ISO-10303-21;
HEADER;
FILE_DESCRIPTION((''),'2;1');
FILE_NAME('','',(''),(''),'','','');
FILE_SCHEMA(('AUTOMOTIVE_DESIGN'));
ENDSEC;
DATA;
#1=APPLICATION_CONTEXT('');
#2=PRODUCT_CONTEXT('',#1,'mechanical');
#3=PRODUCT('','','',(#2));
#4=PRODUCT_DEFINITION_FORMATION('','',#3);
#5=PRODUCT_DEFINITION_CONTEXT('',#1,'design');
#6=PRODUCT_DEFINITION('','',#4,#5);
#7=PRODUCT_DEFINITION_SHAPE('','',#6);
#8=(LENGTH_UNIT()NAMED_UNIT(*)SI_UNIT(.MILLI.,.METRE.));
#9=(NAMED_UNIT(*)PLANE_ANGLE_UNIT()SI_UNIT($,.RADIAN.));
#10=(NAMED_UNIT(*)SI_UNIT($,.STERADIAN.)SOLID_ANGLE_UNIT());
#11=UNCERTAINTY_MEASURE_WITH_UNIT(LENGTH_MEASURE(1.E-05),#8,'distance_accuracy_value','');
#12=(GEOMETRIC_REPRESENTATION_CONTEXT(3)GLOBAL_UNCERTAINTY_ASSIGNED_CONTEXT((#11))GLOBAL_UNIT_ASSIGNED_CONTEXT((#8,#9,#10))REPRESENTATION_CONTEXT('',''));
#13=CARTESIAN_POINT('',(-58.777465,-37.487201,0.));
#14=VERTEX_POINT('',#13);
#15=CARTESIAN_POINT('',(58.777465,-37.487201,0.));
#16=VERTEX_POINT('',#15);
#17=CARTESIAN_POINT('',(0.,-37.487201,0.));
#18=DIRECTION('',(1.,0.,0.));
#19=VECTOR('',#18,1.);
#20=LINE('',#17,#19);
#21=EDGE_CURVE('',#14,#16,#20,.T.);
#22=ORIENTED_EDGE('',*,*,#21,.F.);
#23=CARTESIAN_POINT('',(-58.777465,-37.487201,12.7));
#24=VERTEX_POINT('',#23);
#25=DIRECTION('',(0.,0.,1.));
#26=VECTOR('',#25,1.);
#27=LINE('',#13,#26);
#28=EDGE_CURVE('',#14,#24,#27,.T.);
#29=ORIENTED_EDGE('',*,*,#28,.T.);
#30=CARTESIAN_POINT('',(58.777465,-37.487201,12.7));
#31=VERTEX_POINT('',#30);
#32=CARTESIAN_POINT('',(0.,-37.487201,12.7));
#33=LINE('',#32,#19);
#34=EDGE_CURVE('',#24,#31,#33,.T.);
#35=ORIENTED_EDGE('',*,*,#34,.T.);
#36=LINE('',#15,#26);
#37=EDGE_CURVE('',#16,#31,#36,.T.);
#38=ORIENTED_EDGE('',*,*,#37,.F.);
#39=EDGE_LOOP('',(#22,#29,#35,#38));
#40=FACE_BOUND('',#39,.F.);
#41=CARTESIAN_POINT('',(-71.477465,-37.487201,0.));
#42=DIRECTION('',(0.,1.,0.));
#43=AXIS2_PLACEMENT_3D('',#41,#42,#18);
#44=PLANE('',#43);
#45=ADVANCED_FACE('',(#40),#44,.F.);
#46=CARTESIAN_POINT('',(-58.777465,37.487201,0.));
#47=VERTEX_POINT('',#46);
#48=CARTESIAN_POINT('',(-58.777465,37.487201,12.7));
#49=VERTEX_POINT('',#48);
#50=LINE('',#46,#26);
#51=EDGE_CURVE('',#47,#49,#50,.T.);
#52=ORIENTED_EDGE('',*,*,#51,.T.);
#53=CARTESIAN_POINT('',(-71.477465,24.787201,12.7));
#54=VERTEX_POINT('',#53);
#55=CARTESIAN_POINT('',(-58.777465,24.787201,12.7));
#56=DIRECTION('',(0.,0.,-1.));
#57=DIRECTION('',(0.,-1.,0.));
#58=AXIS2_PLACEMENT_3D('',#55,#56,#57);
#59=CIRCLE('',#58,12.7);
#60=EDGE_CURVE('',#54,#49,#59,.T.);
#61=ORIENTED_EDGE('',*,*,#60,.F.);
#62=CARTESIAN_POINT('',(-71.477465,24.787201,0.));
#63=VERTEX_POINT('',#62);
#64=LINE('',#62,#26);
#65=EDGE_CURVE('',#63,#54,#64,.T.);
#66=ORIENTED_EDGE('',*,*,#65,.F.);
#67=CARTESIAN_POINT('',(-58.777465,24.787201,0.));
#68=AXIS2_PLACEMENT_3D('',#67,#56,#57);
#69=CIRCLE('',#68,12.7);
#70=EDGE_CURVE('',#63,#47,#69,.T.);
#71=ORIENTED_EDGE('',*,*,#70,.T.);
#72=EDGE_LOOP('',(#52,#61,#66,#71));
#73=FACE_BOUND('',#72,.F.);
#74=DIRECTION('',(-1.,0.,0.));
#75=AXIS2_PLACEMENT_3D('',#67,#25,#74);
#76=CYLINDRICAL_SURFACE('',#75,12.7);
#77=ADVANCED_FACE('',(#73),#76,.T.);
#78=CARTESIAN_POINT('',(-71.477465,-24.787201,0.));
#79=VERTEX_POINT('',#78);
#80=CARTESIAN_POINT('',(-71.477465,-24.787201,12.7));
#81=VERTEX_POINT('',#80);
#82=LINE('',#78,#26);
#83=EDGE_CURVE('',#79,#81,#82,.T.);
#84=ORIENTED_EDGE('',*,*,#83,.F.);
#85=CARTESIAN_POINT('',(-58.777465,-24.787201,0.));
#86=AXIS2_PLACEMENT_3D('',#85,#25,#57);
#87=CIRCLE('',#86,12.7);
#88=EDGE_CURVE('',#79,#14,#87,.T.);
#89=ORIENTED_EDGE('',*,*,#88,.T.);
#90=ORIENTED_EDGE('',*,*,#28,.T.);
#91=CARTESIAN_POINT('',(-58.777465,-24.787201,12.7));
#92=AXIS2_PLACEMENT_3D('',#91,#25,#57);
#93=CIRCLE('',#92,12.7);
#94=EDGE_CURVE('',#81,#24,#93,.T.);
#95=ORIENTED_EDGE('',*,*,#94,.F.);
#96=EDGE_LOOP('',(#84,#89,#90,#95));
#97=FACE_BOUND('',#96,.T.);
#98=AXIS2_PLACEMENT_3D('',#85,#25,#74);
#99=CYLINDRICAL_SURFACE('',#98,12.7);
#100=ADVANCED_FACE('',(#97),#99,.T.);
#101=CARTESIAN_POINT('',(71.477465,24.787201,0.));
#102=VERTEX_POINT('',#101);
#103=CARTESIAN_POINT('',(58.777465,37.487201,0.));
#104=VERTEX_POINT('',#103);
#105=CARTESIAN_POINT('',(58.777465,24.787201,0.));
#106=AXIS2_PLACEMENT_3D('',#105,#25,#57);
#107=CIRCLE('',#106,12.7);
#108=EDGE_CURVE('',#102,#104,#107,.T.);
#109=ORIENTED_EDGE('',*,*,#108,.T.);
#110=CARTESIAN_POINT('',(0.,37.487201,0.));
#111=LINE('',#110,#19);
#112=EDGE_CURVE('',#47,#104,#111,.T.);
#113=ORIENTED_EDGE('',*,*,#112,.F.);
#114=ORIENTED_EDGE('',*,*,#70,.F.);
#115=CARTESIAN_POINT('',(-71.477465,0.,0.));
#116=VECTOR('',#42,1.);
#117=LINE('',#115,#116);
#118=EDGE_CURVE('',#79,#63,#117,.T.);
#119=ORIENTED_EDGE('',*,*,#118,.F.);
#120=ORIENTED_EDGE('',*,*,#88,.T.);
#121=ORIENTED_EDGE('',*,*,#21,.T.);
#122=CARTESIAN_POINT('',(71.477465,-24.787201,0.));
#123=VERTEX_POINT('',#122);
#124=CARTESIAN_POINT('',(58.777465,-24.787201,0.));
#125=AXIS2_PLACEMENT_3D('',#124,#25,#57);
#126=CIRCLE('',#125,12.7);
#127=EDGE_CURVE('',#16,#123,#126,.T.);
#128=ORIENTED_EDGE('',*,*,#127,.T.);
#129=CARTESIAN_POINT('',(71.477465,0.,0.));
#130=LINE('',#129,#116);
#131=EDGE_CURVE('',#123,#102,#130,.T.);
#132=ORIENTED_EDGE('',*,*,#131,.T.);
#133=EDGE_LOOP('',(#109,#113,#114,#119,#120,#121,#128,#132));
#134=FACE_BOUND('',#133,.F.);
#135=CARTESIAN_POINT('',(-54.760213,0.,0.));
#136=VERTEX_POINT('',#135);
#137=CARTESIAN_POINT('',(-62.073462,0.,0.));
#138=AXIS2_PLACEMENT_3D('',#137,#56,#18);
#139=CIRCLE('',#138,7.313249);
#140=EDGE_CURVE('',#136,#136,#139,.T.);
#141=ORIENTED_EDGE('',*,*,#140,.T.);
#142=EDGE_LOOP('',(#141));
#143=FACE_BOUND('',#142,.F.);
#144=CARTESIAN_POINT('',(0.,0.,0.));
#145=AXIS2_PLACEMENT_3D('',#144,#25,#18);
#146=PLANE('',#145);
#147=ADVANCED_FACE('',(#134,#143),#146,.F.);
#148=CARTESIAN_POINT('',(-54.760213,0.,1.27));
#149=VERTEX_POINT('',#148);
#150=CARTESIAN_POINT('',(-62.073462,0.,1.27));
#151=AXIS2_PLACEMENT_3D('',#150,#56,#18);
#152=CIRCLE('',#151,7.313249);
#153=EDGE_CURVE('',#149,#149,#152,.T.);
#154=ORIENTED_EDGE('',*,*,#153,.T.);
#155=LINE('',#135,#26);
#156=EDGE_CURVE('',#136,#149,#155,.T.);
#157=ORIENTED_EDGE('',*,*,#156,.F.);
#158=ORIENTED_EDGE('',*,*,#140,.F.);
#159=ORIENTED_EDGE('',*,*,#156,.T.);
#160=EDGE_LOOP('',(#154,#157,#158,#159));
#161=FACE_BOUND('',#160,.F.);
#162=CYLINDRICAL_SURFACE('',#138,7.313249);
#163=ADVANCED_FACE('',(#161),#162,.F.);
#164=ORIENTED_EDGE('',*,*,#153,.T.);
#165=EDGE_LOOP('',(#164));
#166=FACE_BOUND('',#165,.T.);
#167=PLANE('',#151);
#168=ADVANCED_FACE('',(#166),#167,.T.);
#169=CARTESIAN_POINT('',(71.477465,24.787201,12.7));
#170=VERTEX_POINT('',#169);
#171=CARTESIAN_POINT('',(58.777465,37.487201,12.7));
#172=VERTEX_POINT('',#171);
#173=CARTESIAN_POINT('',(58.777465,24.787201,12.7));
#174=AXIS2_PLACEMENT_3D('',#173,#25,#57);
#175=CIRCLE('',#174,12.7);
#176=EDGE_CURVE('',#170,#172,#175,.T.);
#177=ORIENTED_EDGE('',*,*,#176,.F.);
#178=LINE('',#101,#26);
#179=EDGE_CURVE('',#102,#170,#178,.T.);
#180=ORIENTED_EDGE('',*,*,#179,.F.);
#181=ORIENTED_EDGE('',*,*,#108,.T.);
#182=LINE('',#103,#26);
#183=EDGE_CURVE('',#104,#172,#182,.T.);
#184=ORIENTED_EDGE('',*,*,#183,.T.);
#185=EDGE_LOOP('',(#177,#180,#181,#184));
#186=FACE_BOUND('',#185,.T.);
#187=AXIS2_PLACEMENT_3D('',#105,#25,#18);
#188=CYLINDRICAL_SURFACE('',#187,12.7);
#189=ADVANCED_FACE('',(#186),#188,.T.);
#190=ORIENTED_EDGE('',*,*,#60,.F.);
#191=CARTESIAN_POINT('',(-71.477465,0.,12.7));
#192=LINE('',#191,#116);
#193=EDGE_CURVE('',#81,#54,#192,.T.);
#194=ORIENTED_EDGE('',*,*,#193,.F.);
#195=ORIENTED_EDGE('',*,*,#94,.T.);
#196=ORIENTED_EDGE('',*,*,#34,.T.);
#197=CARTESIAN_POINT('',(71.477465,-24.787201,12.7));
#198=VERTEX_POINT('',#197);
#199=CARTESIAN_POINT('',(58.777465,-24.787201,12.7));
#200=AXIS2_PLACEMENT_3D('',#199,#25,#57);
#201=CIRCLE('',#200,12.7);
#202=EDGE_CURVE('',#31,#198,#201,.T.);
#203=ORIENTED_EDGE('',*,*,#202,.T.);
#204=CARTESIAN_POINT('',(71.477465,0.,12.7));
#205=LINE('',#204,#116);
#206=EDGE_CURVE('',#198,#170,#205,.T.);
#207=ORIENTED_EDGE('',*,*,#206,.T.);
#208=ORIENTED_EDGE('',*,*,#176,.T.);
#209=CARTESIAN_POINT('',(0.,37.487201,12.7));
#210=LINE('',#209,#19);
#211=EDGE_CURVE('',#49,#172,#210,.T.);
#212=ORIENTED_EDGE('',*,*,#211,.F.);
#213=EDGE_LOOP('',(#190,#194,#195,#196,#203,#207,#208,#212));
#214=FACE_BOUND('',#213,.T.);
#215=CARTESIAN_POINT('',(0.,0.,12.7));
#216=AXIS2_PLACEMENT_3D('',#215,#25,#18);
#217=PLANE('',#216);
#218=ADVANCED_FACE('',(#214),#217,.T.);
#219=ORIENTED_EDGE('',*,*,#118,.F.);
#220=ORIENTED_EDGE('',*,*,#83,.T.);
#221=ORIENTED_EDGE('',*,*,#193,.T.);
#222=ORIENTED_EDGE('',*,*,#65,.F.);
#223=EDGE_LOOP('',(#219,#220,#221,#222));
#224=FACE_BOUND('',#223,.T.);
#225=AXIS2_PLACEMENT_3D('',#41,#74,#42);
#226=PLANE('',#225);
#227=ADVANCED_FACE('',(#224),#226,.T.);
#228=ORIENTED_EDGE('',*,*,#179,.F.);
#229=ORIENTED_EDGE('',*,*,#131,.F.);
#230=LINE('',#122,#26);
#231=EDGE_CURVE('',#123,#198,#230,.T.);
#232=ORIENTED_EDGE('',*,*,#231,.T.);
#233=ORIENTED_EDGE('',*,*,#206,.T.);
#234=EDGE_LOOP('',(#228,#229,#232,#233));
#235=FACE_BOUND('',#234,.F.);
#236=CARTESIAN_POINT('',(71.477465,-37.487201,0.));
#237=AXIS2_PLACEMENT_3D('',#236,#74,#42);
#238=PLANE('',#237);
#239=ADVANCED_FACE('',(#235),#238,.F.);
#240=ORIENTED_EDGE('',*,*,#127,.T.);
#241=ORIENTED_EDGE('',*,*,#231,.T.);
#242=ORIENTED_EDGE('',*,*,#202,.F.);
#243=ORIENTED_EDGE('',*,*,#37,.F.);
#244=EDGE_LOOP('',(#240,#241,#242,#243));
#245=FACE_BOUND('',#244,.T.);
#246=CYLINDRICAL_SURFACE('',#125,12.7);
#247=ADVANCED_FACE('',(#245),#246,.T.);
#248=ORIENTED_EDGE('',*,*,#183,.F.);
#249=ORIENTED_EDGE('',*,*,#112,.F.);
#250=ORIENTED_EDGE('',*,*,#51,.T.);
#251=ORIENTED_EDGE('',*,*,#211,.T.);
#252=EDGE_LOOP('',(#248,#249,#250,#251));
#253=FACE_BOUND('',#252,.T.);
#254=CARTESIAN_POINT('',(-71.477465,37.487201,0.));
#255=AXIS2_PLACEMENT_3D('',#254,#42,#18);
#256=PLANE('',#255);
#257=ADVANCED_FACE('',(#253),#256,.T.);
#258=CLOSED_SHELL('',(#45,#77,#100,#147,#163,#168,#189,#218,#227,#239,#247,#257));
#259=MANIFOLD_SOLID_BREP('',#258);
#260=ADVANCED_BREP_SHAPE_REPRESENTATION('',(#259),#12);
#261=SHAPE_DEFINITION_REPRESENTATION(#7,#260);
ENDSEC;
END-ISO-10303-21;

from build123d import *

# Parameters (mm, degrees)
F0_W     = 142.95493
F0_H     = 74.974402
F1_DEPTH = 12.7
F2_R     = 12.7
F3_R     = 7.313249
F4_DEPTH = 1.27


with BuildPart() as f1:
    # F0 (on Top) → F1 (new body)
    with BuildSketch(Plane.XY):
        Rectangle(F0_W, F0_H)
    extrude(amount=F1_DEPTH)

    # F2
    f2_edges = [f1.edges().sort_by_distance(p)[0] for p in [
        (71.477465, -37.487201, 6.35),
        (71.477465, 37.487201, 6.35),
        (-71.477465, 37.487201, 6.35),
        (-71.477465, -37.487201, 6.35),
    ]]
    fillet(f2_edges, radius=F2_R)

    # F3 (on face) → F4 (cut)
    with BuildSketch(Plane(origin=(0, 0, 0), x_dir=(1, 0, 0), z_dir=(0, 0, -1))):
        with Locations((-62.073462, 0)):
            Circle(F3_R)
    extrude(amount=-F4_DEPTH, mode=Mode.SUBTRACT)


solid = f1.part
